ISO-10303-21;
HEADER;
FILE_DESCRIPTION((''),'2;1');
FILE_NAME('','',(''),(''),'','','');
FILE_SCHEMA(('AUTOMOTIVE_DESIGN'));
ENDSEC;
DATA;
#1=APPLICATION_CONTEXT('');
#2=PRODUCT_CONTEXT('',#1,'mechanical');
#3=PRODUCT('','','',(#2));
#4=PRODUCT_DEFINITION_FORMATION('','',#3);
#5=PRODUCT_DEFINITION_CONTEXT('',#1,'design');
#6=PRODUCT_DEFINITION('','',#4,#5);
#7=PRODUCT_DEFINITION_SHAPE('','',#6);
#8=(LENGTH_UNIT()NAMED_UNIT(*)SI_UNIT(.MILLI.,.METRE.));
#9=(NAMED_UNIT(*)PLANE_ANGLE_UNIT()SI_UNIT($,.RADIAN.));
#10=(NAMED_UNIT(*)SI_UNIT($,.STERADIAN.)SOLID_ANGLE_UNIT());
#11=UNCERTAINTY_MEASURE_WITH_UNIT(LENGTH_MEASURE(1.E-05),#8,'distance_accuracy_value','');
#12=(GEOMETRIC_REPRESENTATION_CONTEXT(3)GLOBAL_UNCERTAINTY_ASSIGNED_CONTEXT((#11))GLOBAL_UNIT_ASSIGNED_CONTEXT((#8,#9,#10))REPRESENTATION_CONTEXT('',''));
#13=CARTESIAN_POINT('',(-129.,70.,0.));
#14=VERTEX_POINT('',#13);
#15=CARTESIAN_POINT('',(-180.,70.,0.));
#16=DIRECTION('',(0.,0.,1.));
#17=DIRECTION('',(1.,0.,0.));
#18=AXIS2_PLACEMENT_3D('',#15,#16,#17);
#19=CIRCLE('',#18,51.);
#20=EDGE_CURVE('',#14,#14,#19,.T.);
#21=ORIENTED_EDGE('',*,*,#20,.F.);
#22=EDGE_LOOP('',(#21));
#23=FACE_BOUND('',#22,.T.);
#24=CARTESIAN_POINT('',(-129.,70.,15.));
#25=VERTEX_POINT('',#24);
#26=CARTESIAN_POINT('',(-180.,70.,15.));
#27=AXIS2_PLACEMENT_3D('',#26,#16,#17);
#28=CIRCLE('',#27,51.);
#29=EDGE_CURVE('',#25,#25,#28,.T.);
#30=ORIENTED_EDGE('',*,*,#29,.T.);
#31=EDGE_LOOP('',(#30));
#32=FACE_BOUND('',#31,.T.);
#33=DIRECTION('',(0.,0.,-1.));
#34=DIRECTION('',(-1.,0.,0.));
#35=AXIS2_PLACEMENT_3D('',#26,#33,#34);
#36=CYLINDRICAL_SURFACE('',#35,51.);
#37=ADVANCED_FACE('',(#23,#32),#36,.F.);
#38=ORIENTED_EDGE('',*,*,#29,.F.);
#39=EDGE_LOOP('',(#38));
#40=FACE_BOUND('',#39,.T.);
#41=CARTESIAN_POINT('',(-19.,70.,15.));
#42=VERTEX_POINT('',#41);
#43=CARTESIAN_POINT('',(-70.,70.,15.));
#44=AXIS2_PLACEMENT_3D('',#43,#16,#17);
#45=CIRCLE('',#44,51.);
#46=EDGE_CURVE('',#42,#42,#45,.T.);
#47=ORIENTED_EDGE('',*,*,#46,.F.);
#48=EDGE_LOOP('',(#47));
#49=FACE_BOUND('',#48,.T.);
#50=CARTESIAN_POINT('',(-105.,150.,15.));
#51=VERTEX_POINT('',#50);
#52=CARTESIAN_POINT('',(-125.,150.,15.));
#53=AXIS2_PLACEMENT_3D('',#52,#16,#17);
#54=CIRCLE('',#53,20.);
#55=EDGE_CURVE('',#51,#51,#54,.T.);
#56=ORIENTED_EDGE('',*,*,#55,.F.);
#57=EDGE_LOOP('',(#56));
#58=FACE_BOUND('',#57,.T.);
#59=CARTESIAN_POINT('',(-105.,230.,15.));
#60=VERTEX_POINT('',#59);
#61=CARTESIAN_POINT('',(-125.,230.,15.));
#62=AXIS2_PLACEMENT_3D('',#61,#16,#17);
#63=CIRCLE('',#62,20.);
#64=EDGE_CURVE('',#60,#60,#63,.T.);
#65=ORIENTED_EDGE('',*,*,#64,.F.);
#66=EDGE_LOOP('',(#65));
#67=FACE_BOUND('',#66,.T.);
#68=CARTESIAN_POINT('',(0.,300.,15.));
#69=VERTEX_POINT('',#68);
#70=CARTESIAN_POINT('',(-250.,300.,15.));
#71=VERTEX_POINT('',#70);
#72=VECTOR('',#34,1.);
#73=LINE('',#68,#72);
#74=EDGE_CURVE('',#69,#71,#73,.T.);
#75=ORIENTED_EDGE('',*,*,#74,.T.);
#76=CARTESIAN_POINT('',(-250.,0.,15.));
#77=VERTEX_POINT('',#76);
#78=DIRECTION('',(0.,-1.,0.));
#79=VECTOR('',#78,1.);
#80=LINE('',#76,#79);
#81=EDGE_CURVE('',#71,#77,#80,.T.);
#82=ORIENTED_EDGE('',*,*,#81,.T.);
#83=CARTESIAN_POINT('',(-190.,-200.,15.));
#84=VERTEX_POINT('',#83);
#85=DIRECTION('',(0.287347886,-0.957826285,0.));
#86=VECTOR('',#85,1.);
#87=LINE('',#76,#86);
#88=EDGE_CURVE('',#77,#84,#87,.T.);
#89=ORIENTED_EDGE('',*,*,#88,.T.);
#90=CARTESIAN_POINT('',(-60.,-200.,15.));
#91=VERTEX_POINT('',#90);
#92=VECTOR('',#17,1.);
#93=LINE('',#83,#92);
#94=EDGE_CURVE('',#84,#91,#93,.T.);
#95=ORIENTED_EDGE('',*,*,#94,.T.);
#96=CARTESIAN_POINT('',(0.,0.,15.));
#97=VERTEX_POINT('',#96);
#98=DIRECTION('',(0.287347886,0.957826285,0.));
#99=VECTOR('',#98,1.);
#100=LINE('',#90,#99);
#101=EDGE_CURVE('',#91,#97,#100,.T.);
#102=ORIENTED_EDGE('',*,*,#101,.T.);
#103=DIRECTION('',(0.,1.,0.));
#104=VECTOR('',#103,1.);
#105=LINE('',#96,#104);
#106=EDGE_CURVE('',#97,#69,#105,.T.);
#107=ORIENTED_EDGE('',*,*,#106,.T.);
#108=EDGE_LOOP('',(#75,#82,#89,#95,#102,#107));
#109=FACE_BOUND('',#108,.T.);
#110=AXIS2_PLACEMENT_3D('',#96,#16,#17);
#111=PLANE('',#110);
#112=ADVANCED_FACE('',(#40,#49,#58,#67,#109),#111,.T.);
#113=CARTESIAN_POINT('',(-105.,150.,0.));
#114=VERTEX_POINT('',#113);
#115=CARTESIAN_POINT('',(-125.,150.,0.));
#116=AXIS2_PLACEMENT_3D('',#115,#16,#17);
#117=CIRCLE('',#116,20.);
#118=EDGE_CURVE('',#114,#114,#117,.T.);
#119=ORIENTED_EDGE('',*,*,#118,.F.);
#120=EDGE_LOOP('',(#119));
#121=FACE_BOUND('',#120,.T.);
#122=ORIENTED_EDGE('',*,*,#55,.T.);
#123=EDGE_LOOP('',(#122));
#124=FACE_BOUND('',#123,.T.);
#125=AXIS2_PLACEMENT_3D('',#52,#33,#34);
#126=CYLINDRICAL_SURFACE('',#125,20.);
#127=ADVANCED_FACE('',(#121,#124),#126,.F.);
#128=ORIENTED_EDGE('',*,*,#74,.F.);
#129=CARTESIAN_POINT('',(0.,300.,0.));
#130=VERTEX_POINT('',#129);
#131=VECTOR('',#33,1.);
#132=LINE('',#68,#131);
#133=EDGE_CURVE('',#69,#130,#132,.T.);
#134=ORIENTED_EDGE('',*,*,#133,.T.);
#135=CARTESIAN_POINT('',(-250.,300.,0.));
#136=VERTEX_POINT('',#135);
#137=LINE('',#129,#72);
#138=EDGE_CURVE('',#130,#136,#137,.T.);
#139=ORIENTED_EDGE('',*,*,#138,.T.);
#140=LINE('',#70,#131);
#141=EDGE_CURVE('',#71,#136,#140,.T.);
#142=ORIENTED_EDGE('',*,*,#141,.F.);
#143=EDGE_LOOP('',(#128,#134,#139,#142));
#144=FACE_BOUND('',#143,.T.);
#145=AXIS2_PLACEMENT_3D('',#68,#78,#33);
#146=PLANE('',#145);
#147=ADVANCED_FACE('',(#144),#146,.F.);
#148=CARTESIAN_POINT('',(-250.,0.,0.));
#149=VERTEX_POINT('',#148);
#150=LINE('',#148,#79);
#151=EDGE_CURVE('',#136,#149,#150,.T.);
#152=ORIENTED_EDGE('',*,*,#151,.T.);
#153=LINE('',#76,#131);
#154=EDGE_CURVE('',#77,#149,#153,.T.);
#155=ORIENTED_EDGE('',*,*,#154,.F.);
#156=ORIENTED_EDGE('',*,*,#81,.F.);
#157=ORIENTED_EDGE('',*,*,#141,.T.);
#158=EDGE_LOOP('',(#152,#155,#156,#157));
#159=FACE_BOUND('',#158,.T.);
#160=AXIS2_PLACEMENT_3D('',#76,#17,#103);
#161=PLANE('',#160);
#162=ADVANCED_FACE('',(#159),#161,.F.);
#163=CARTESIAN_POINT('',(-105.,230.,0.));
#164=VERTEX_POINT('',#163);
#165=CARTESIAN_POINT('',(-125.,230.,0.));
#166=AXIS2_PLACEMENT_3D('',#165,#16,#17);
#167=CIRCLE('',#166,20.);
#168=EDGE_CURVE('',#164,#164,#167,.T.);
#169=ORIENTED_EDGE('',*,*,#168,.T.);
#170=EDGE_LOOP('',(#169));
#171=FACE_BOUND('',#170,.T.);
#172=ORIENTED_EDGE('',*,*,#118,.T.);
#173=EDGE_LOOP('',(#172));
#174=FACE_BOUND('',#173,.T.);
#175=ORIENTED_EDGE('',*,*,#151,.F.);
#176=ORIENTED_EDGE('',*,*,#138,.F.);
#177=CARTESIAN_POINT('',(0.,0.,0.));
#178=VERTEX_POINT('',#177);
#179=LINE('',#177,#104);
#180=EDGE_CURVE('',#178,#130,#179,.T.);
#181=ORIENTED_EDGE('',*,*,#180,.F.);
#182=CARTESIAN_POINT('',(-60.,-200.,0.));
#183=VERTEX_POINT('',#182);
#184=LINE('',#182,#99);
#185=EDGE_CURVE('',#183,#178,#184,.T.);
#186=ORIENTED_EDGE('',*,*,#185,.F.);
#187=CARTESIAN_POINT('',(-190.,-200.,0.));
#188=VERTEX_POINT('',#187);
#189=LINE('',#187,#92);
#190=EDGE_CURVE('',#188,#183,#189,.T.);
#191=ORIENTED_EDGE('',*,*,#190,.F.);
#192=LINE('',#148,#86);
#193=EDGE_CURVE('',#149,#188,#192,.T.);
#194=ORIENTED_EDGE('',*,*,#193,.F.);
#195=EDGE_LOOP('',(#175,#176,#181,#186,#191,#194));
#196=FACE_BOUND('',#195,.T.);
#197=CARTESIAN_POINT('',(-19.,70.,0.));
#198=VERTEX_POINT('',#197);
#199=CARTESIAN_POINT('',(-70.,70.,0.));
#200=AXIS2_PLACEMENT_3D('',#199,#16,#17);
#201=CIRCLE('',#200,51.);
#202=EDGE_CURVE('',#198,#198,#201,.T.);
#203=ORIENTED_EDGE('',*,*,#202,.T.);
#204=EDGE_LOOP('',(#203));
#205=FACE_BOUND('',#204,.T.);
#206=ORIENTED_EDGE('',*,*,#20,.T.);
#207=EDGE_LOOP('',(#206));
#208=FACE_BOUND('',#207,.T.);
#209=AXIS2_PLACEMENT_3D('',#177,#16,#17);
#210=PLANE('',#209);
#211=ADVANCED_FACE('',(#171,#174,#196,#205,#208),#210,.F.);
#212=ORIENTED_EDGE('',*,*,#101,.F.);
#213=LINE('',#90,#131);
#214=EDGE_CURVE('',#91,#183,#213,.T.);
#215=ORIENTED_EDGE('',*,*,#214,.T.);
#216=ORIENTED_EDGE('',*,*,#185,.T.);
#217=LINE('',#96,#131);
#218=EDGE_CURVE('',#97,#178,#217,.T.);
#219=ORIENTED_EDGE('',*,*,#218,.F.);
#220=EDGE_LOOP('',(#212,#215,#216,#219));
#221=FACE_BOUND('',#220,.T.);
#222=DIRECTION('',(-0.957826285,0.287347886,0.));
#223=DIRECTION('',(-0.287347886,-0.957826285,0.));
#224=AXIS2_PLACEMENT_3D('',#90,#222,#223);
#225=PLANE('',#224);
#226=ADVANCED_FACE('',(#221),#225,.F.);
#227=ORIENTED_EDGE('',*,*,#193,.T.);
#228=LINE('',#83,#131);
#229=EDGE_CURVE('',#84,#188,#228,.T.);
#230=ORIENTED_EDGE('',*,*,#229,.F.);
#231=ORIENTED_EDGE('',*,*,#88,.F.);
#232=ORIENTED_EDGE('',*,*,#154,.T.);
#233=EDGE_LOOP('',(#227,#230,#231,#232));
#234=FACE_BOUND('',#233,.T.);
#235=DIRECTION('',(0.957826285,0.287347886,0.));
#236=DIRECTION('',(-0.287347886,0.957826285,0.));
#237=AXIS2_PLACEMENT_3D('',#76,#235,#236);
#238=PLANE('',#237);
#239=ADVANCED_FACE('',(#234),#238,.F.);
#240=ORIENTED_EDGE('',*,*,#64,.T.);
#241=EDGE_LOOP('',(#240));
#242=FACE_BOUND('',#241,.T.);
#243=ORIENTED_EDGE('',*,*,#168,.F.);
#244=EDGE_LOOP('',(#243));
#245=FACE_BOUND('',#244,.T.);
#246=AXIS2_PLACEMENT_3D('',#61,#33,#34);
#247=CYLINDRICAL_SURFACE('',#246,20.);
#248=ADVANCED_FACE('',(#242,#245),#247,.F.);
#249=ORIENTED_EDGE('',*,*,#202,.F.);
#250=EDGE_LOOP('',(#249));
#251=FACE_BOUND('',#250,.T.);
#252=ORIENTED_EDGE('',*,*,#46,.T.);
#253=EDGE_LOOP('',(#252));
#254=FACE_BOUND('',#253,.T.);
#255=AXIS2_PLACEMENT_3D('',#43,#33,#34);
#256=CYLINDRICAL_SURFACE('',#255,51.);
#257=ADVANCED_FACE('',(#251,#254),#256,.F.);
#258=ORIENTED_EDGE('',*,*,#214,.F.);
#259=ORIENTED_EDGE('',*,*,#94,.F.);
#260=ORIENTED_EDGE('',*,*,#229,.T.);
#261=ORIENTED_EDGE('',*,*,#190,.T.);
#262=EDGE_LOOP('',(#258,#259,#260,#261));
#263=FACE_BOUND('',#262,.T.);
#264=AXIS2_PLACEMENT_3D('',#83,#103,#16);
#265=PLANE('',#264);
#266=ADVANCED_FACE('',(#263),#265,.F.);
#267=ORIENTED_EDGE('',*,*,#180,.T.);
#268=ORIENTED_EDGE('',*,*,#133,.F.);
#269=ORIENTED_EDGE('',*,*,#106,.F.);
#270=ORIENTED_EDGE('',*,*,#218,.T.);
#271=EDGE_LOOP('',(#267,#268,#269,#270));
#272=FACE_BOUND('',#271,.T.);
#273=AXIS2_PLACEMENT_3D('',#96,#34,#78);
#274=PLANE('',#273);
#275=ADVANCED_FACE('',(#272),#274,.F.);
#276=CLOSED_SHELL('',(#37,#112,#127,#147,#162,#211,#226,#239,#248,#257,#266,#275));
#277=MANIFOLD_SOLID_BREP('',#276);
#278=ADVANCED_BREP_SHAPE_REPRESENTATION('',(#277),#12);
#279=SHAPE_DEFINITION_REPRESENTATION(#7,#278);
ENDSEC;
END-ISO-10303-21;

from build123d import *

# Parameters (mm, degrees)
SKETCH1_W           = 250
SKETCH1_H           = 300
SKETCH1_R           = 20
SKETCH1_R_2         = 51
BOSS_EXTRUDE1_DEPTH = 15
BOSS_EXTRUDE2_DEPTH = 15


with BuildPart() as part:
    # Sketch1 → Boss-Extrude1 (new body)
    with BuildSketch(Plane.XY):
        with Locations((-125, 150)):
            Rectangle(SKETCH1_W, SKETCH1_H)
        with Locations((-125, 230)):
            Circle(SKETCH1_R, mode=Mode.SUBTRACT)
        with Locations((-125, 150)):
            Circle(SKETCH1_R, mode=Mode.SUBTRACT)
        with Locations((-180, 70)):
            Circle(SKETCH1_R_2, mode=Mode.SUBTRACT)
        with Locations((-70, 70)):
            Circle(SKETCH1_R_2, mode=Mode.SUBTRACT)
    extrude(amount=BOSS_EXTRUDE1_DEPTH)

    # Sketch2 → Boss-Extrude2 (add)
    with BuildSketch(Plane.XY):
        Polygon((-190, 0), (-60, 0), (0, 0), (-60, -200), (-190, -200), (-250, 0), align=None)
    extrude(amount=BOSS_EXTRUDE2_DEPTH)


solid = part.part
